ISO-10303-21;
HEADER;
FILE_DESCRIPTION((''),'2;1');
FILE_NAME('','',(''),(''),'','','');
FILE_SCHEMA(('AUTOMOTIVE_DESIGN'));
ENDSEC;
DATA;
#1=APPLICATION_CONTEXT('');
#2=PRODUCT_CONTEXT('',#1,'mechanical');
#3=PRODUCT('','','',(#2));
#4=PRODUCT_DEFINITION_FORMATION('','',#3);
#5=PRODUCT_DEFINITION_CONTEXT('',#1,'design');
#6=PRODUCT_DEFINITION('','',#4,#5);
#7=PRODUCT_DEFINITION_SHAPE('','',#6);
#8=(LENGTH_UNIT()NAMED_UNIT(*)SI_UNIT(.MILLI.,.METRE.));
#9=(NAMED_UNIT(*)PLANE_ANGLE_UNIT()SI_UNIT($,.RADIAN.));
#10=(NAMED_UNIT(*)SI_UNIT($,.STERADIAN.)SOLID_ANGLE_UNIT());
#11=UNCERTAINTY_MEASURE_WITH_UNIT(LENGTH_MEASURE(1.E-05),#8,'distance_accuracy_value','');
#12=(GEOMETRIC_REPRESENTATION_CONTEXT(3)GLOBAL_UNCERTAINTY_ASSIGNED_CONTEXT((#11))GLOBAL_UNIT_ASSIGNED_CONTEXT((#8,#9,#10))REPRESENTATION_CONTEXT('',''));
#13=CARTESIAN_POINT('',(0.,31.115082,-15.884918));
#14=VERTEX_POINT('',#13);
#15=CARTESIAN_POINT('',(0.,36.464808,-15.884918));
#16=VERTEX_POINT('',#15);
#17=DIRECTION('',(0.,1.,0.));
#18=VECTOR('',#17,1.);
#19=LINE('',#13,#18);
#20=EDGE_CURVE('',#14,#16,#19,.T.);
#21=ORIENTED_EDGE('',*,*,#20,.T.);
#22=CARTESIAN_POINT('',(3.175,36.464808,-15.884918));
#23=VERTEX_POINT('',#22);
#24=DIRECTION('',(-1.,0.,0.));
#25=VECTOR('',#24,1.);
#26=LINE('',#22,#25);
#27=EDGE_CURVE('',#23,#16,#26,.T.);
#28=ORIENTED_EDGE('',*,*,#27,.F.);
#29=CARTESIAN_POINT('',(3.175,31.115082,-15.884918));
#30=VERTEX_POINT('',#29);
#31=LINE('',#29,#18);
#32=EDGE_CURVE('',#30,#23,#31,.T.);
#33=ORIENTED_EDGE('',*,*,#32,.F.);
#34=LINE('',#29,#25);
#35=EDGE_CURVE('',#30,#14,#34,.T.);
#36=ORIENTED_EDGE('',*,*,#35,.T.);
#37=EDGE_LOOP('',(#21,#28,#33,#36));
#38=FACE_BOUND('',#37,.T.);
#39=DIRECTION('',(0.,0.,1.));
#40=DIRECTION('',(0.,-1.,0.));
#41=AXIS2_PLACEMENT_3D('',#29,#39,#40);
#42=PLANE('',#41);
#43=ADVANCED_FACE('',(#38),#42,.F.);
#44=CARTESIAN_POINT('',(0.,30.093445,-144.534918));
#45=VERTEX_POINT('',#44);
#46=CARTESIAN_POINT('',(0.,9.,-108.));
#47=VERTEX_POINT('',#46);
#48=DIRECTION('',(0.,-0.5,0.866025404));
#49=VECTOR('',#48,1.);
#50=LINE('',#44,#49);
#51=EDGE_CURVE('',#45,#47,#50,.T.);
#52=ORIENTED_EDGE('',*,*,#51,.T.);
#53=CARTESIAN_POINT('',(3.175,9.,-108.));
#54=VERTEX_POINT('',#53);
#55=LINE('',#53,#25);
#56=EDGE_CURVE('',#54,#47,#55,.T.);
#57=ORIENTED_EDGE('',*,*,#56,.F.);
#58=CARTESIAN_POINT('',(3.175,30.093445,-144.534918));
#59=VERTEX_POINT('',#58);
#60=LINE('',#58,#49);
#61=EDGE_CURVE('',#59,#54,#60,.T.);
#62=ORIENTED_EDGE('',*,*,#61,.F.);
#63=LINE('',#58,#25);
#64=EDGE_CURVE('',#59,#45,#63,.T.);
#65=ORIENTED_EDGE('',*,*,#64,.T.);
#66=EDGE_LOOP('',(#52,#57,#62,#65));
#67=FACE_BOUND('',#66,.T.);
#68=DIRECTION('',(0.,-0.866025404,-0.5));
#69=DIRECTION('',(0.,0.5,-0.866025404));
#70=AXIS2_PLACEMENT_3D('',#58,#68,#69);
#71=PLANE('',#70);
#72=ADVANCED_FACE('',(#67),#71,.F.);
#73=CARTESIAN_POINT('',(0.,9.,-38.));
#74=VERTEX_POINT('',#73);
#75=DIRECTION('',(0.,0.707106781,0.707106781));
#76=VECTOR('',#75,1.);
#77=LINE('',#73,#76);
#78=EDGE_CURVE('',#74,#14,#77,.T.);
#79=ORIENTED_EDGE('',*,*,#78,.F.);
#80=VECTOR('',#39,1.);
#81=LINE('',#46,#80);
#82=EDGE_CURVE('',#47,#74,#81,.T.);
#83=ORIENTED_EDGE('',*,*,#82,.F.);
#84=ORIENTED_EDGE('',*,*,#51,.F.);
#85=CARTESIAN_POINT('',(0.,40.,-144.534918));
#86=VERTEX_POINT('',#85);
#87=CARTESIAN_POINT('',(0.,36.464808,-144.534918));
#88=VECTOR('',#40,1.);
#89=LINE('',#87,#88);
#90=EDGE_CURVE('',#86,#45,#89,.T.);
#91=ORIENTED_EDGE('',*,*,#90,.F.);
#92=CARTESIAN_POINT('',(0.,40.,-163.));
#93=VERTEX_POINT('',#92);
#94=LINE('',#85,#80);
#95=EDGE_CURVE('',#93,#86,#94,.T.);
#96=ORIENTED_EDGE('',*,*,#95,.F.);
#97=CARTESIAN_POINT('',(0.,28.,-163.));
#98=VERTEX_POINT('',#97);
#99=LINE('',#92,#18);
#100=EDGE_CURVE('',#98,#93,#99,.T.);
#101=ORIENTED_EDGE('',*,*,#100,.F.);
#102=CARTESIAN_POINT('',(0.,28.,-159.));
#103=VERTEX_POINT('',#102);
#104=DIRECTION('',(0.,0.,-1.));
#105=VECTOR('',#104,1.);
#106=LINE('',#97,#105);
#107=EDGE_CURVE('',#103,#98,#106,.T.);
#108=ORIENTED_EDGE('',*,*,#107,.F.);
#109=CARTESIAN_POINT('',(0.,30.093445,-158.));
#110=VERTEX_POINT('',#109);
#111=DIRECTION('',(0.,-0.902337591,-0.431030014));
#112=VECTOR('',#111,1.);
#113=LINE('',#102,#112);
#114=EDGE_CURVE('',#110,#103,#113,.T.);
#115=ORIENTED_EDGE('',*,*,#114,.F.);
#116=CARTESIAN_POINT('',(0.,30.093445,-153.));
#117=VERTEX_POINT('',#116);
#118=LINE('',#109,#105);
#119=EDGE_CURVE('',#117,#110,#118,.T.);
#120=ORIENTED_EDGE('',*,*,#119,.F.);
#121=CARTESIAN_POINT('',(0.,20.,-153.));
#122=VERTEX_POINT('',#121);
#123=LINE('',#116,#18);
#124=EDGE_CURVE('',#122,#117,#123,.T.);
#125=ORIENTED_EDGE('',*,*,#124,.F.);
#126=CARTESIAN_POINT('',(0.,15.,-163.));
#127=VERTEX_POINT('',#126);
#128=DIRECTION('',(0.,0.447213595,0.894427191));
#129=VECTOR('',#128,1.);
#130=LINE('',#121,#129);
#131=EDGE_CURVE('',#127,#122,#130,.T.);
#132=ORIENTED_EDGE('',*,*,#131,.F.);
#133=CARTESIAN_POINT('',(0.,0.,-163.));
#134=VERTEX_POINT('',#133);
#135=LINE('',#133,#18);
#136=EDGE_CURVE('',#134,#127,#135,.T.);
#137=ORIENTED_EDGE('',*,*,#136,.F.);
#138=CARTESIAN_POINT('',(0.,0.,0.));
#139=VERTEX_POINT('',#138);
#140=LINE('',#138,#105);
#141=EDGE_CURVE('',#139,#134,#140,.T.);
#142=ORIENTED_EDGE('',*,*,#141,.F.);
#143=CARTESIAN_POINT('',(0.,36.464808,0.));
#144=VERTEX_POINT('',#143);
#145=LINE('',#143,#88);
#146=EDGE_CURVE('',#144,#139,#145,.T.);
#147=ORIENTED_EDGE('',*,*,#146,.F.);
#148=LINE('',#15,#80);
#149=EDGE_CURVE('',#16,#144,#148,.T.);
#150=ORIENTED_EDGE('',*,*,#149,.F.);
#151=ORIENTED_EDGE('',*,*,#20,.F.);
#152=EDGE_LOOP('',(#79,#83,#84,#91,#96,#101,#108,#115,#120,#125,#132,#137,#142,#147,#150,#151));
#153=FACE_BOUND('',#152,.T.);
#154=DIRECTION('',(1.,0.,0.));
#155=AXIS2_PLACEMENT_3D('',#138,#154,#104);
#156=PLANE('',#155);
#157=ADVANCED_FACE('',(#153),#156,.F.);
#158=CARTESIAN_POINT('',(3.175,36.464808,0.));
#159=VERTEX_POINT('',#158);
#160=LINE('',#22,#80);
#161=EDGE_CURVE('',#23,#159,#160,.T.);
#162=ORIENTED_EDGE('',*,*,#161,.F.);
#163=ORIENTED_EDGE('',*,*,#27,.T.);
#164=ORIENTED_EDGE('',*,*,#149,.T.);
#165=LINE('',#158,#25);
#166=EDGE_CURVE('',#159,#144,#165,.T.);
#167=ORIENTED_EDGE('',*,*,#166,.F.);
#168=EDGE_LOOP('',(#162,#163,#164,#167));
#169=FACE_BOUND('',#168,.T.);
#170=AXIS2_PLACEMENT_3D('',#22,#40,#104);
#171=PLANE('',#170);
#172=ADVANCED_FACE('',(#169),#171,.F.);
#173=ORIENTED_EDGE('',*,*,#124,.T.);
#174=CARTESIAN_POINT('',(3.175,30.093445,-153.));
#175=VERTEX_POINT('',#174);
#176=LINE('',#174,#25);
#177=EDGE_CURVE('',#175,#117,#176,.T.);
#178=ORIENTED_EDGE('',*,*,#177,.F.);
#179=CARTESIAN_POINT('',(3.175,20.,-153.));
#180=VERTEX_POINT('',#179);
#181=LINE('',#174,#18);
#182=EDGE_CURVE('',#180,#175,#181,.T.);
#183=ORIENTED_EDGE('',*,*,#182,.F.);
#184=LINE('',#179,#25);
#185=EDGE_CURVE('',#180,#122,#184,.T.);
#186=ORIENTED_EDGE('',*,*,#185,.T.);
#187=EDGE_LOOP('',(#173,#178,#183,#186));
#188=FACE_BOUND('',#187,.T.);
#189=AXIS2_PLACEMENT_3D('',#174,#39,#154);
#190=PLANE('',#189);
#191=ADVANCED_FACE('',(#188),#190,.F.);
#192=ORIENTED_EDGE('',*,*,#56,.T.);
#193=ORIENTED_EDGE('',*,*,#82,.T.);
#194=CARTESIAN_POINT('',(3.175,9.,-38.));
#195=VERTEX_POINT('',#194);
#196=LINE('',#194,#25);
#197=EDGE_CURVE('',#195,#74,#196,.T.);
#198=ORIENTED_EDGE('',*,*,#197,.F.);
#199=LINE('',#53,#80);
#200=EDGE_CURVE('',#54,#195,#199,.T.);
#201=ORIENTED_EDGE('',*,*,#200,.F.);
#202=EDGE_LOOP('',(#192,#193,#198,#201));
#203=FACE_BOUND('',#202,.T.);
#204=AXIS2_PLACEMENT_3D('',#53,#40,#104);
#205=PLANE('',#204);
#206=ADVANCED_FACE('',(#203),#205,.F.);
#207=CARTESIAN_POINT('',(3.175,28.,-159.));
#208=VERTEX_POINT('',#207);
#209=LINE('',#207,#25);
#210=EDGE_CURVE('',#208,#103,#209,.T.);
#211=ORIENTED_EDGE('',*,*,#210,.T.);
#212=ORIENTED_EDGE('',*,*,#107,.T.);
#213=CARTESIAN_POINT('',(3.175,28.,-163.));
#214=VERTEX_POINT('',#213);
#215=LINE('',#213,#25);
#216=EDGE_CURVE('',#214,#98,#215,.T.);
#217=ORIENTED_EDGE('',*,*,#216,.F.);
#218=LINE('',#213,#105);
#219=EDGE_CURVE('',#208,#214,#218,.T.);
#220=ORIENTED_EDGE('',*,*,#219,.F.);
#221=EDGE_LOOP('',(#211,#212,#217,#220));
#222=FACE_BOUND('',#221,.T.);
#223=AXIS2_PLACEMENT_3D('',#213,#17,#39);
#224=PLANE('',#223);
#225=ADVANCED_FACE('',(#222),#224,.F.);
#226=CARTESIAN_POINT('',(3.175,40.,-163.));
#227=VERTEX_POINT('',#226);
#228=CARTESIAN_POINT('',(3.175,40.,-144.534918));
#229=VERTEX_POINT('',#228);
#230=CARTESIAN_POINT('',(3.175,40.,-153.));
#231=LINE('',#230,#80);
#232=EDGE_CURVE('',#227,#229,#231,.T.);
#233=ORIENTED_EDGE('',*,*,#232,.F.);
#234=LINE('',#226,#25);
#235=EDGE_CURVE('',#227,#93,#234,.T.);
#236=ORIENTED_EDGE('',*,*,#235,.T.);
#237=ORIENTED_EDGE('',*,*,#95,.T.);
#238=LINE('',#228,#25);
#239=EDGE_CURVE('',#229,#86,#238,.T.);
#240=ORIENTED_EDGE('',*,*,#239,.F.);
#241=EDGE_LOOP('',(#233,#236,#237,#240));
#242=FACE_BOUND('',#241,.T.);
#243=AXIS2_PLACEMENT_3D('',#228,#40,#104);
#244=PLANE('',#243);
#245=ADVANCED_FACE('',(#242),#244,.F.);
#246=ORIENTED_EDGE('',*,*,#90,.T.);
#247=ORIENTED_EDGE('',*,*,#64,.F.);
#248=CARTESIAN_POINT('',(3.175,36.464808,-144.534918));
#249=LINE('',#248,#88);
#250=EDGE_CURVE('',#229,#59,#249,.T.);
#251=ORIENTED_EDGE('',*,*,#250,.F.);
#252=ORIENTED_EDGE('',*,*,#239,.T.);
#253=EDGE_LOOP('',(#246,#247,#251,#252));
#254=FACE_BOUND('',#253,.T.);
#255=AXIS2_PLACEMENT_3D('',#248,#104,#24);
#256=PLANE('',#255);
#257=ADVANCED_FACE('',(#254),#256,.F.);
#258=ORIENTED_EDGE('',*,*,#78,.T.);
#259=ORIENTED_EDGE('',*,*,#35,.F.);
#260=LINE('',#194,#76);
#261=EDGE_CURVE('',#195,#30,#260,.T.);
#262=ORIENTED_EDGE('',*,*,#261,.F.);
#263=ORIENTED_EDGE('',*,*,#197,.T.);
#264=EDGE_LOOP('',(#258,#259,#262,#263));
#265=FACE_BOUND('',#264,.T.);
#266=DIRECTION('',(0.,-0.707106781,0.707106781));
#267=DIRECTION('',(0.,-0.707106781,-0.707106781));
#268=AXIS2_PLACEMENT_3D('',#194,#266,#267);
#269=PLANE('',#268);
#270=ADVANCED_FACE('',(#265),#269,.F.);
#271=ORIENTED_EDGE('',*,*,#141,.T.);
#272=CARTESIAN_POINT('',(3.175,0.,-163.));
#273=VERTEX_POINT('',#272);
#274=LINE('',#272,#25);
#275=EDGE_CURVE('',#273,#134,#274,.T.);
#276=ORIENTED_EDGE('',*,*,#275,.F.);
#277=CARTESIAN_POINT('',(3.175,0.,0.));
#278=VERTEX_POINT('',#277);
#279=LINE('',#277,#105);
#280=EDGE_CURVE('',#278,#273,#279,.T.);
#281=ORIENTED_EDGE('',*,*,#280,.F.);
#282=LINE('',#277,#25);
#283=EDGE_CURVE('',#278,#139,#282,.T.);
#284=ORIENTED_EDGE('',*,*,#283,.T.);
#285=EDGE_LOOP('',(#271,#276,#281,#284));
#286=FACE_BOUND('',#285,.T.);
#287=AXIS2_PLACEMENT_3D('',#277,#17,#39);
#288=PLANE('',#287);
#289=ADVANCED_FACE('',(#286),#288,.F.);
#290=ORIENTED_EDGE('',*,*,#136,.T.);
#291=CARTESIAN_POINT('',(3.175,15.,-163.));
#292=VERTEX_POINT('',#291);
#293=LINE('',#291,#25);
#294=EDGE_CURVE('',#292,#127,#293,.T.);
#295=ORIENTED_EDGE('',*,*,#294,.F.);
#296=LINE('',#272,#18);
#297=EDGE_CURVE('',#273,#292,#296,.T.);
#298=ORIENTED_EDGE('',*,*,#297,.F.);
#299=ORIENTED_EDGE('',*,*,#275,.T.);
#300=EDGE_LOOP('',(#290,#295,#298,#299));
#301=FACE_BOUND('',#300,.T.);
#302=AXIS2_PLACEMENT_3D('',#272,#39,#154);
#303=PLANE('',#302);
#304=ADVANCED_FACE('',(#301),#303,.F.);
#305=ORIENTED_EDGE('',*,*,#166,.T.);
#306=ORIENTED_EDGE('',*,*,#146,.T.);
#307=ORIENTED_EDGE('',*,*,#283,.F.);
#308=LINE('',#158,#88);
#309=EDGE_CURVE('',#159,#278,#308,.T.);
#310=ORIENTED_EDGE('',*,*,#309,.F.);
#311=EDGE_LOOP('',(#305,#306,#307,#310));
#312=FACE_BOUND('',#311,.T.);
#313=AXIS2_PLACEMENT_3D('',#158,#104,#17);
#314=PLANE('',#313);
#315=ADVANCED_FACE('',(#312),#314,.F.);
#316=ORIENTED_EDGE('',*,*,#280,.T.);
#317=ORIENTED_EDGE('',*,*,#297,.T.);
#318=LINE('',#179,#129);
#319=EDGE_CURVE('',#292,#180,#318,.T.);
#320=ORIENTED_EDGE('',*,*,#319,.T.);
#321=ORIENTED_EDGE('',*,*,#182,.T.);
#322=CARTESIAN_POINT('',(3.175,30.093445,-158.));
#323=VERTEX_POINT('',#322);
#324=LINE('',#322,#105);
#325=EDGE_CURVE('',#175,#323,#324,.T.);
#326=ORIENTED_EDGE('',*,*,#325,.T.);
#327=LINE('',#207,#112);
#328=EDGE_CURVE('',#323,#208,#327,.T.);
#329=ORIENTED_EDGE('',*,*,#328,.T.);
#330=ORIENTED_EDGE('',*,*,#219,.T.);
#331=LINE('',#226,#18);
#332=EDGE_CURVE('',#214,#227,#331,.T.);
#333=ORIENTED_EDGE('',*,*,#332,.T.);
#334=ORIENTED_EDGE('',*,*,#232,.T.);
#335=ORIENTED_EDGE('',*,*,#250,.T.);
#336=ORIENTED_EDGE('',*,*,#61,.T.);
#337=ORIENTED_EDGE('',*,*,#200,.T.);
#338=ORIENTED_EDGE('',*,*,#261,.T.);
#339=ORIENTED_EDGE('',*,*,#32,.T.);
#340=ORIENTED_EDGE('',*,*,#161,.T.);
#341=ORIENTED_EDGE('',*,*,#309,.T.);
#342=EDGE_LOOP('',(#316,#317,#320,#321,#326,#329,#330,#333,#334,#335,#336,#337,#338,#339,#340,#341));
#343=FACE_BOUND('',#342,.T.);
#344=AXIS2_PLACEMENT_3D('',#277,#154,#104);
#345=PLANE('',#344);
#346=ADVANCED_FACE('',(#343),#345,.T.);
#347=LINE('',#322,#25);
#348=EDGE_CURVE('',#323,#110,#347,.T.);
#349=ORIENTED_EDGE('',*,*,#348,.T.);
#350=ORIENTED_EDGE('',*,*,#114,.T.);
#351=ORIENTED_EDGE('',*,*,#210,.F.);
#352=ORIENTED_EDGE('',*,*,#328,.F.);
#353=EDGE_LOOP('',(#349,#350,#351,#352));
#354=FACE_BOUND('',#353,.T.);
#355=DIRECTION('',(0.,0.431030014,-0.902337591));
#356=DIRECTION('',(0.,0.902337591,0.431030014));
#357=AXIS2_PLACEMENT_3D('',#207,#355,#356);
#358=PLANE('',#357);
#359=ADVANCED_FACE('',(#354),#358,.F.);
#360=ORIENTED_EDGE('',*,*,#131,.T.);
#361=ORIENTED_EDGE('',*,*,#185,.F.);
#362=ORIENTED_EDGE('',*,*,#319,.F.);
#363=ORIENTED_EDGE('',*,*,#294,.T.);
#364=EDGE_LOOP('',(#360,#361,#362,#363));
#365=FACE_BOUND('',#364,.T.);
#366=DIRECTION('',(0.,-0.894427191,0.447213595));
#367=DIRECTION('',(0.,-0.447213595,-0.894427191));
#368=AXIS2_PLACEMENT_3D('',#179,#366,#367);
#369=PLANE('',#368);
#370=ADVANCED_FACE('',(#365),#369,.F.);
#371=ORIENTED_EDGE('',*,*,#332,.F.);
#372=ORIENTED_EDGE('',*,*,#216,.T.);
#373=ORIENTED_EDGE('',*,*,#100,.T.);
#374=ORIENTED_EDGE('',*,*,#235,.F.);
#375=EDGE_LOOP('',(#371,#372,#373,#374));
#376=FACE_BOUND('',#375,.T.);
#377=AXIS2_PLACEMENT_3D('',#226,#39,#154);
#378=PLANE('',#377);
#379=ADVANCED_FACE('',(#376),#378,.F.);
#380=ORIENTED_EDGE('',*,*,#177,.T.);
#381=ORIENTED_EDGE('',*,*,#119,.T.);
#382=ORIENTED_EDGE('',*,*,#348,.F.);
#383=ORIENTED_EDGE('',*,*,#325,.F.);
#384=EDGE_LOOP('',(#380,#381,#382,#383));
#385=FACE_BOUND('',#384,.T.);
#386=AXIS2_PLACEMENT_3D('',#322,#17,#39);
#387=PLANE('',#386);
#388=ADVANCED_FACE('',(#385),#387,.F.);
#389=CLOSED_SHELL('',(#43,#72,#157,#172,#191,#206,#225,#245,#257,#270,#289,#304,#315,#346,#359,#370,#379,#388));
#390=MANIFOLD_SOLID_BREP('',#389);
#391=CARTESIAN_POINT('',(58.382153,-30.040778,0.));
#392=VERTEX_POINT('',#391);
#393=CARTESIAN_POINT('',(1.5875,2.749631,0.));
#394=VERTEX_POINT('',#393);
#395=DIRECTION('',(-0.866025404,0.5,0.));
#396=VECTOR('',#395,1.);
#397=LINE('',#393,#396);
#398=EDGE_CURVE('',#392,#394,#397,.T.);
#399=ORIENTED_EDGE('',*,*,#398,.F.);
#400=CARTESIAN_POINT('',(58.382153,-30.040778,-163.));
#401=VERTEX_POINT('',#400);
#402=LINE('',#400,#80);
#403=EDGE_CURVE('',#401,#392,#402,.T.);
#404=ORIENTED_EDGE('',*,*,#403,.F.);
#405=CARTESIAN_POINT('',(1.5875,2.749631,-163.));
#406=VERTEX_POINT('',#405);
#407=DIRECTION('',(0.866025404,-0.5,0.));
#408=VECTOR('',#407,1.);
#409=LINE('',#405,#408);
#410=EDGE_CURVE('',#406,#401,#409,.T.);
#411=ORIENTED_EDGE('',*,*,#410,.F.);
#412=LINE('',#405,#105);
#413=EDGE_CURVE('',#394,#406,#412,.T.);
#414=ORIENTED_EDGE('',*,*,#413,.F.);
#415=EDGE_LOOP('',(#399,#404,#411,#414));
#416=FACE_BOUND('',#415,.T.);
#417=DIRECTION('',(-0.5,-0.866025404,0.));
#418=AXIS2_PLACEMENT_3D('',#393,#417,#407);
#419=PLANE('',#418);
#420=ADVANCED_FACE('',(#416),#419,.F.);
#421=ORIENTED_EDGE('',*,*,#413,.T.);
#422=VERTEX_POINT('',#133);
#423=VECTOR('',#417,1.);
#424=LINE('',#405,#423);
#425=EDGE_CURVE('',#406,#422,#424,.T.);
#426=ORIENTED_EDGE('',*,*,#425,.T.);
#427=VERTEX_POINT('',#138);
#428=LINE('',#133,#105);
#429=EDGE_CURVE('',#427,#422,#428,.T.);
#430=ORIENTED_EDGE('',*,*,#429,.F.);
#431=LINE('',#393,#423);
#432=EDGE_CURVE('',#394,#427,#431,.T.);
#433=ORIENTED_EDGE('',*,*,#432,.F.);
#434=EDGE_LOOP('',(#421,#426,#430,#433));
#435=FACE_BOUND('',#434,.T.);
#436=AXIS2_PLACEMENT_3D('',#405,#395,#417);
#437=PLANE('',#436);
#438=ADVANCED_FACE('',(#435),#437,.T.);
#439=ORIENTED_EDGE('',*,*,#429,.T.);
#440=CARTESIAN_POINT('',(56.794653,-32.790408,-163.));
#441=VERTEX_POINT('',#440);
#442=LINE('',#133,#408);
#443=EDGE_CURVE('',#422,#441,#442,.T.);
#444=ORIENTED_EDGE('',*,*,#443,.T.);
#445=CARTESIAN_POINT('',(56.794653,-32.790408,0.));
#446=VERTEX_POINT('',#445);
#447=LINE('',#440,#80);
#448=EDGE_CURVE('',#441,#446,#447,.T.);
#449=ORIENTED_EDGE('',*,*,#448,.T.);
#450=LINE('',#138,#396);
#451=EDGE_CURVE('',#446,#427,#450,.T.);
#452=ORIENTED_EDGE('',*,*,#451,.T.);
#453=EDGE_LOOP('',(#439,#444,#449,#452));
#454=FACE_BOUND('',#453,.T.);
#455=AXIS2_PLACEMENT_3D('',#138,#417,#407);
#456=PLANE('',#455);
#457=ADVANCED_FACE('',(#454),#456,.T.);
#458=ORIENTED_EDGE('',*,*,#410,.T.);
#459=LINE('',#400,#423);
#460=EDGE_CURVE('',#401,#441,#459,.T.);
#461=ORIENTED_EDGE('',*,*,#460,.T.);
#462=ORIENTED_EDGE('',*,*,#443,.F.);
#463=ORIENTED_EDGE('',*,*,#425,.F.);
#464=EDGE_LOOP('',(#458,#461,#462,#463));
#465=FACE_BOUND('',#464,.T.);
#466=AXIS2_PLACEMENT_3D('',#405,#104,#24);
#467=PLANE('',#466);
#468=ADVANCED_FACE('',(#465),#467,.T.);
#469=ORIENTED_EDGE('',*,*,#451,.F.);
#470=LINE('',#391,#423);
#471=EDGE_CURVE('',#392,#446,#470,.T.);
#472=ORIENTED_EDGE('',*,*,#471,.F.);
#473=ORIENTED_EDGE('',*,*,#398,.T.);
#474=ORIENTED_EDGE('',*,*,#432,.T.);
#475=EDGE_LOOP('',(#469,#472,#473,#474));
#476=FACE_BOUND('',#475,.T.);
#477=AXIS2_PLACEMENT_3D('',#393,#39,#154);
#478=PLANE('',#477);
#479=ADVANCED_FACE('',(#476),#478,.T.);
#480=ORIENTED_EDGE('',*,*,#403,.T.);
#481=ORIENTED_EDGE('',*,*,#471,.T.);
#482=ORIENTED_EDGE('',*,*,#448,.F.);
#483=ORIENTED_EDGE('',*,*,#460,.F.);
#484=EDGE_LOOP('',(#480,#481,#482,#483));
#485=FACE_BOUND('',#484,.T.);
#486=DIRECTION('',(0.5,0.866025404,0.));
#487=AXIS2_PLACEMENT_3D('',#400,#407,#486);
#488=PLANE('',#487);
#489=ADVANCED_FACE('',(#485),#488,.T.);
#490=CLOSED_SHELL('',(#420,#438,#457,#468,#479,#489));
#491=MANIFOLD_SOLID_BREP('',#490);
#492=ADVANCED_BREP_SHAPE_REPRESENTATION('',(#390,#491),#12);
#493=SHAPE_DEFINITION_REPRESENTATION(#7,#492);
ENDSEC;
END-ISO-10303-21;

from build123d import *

# Parameters (mm, degrees)
BOSS_EXTRUDE1_DEPTH = 3.175
SKETCH11_W          = 163
SKETCH11_H          = 65.580816733
BOSS_EXTRUDE2_DEPTH = 3.175


with BuildPart() as part:
    # Sketch10 → Boss-Extrude1 (new body)
    with BuildSketch(Plane(origin=(0, 0, 0), x_dir=(0, 0, -1), z_dir=(1, 0, 0))):
        Polygon((15.884918301, 36.464807754), (0, 36.464807754), (0, 0), (163, 0), (163, 15), (153, 20), (153, 30.093444916), (158, 30.093444916), (159, 28), (163, 28), (163, 40), (153, 40), (144.534918301, 40), (144.534918301, 36.464807754), (144.534918301, 30.093444916), (108, 9), (38, 9), (15.884918301, 31.115081699), align=None)
    extrude(amount=BOSS_EXTRUDE1_DEPTH)


with BuildPart() as body_2:
    # Sketch11 → Boss-Extrude2 (new body)
    with BuildSketch(Plane(origin=(0, 0, 0), x_dir=(0, 0, -1), z_dir=(-0.5, -0.866025404, 0))):
        with Locations((81.5, 32.790408367)):
            Rectangle(SKETCH11_W, SKETCH11_H)
    extrude(amount=-BOSS_EXTRUDE2_DEPTH)


solid = Compound([part.part, body_2.part])
